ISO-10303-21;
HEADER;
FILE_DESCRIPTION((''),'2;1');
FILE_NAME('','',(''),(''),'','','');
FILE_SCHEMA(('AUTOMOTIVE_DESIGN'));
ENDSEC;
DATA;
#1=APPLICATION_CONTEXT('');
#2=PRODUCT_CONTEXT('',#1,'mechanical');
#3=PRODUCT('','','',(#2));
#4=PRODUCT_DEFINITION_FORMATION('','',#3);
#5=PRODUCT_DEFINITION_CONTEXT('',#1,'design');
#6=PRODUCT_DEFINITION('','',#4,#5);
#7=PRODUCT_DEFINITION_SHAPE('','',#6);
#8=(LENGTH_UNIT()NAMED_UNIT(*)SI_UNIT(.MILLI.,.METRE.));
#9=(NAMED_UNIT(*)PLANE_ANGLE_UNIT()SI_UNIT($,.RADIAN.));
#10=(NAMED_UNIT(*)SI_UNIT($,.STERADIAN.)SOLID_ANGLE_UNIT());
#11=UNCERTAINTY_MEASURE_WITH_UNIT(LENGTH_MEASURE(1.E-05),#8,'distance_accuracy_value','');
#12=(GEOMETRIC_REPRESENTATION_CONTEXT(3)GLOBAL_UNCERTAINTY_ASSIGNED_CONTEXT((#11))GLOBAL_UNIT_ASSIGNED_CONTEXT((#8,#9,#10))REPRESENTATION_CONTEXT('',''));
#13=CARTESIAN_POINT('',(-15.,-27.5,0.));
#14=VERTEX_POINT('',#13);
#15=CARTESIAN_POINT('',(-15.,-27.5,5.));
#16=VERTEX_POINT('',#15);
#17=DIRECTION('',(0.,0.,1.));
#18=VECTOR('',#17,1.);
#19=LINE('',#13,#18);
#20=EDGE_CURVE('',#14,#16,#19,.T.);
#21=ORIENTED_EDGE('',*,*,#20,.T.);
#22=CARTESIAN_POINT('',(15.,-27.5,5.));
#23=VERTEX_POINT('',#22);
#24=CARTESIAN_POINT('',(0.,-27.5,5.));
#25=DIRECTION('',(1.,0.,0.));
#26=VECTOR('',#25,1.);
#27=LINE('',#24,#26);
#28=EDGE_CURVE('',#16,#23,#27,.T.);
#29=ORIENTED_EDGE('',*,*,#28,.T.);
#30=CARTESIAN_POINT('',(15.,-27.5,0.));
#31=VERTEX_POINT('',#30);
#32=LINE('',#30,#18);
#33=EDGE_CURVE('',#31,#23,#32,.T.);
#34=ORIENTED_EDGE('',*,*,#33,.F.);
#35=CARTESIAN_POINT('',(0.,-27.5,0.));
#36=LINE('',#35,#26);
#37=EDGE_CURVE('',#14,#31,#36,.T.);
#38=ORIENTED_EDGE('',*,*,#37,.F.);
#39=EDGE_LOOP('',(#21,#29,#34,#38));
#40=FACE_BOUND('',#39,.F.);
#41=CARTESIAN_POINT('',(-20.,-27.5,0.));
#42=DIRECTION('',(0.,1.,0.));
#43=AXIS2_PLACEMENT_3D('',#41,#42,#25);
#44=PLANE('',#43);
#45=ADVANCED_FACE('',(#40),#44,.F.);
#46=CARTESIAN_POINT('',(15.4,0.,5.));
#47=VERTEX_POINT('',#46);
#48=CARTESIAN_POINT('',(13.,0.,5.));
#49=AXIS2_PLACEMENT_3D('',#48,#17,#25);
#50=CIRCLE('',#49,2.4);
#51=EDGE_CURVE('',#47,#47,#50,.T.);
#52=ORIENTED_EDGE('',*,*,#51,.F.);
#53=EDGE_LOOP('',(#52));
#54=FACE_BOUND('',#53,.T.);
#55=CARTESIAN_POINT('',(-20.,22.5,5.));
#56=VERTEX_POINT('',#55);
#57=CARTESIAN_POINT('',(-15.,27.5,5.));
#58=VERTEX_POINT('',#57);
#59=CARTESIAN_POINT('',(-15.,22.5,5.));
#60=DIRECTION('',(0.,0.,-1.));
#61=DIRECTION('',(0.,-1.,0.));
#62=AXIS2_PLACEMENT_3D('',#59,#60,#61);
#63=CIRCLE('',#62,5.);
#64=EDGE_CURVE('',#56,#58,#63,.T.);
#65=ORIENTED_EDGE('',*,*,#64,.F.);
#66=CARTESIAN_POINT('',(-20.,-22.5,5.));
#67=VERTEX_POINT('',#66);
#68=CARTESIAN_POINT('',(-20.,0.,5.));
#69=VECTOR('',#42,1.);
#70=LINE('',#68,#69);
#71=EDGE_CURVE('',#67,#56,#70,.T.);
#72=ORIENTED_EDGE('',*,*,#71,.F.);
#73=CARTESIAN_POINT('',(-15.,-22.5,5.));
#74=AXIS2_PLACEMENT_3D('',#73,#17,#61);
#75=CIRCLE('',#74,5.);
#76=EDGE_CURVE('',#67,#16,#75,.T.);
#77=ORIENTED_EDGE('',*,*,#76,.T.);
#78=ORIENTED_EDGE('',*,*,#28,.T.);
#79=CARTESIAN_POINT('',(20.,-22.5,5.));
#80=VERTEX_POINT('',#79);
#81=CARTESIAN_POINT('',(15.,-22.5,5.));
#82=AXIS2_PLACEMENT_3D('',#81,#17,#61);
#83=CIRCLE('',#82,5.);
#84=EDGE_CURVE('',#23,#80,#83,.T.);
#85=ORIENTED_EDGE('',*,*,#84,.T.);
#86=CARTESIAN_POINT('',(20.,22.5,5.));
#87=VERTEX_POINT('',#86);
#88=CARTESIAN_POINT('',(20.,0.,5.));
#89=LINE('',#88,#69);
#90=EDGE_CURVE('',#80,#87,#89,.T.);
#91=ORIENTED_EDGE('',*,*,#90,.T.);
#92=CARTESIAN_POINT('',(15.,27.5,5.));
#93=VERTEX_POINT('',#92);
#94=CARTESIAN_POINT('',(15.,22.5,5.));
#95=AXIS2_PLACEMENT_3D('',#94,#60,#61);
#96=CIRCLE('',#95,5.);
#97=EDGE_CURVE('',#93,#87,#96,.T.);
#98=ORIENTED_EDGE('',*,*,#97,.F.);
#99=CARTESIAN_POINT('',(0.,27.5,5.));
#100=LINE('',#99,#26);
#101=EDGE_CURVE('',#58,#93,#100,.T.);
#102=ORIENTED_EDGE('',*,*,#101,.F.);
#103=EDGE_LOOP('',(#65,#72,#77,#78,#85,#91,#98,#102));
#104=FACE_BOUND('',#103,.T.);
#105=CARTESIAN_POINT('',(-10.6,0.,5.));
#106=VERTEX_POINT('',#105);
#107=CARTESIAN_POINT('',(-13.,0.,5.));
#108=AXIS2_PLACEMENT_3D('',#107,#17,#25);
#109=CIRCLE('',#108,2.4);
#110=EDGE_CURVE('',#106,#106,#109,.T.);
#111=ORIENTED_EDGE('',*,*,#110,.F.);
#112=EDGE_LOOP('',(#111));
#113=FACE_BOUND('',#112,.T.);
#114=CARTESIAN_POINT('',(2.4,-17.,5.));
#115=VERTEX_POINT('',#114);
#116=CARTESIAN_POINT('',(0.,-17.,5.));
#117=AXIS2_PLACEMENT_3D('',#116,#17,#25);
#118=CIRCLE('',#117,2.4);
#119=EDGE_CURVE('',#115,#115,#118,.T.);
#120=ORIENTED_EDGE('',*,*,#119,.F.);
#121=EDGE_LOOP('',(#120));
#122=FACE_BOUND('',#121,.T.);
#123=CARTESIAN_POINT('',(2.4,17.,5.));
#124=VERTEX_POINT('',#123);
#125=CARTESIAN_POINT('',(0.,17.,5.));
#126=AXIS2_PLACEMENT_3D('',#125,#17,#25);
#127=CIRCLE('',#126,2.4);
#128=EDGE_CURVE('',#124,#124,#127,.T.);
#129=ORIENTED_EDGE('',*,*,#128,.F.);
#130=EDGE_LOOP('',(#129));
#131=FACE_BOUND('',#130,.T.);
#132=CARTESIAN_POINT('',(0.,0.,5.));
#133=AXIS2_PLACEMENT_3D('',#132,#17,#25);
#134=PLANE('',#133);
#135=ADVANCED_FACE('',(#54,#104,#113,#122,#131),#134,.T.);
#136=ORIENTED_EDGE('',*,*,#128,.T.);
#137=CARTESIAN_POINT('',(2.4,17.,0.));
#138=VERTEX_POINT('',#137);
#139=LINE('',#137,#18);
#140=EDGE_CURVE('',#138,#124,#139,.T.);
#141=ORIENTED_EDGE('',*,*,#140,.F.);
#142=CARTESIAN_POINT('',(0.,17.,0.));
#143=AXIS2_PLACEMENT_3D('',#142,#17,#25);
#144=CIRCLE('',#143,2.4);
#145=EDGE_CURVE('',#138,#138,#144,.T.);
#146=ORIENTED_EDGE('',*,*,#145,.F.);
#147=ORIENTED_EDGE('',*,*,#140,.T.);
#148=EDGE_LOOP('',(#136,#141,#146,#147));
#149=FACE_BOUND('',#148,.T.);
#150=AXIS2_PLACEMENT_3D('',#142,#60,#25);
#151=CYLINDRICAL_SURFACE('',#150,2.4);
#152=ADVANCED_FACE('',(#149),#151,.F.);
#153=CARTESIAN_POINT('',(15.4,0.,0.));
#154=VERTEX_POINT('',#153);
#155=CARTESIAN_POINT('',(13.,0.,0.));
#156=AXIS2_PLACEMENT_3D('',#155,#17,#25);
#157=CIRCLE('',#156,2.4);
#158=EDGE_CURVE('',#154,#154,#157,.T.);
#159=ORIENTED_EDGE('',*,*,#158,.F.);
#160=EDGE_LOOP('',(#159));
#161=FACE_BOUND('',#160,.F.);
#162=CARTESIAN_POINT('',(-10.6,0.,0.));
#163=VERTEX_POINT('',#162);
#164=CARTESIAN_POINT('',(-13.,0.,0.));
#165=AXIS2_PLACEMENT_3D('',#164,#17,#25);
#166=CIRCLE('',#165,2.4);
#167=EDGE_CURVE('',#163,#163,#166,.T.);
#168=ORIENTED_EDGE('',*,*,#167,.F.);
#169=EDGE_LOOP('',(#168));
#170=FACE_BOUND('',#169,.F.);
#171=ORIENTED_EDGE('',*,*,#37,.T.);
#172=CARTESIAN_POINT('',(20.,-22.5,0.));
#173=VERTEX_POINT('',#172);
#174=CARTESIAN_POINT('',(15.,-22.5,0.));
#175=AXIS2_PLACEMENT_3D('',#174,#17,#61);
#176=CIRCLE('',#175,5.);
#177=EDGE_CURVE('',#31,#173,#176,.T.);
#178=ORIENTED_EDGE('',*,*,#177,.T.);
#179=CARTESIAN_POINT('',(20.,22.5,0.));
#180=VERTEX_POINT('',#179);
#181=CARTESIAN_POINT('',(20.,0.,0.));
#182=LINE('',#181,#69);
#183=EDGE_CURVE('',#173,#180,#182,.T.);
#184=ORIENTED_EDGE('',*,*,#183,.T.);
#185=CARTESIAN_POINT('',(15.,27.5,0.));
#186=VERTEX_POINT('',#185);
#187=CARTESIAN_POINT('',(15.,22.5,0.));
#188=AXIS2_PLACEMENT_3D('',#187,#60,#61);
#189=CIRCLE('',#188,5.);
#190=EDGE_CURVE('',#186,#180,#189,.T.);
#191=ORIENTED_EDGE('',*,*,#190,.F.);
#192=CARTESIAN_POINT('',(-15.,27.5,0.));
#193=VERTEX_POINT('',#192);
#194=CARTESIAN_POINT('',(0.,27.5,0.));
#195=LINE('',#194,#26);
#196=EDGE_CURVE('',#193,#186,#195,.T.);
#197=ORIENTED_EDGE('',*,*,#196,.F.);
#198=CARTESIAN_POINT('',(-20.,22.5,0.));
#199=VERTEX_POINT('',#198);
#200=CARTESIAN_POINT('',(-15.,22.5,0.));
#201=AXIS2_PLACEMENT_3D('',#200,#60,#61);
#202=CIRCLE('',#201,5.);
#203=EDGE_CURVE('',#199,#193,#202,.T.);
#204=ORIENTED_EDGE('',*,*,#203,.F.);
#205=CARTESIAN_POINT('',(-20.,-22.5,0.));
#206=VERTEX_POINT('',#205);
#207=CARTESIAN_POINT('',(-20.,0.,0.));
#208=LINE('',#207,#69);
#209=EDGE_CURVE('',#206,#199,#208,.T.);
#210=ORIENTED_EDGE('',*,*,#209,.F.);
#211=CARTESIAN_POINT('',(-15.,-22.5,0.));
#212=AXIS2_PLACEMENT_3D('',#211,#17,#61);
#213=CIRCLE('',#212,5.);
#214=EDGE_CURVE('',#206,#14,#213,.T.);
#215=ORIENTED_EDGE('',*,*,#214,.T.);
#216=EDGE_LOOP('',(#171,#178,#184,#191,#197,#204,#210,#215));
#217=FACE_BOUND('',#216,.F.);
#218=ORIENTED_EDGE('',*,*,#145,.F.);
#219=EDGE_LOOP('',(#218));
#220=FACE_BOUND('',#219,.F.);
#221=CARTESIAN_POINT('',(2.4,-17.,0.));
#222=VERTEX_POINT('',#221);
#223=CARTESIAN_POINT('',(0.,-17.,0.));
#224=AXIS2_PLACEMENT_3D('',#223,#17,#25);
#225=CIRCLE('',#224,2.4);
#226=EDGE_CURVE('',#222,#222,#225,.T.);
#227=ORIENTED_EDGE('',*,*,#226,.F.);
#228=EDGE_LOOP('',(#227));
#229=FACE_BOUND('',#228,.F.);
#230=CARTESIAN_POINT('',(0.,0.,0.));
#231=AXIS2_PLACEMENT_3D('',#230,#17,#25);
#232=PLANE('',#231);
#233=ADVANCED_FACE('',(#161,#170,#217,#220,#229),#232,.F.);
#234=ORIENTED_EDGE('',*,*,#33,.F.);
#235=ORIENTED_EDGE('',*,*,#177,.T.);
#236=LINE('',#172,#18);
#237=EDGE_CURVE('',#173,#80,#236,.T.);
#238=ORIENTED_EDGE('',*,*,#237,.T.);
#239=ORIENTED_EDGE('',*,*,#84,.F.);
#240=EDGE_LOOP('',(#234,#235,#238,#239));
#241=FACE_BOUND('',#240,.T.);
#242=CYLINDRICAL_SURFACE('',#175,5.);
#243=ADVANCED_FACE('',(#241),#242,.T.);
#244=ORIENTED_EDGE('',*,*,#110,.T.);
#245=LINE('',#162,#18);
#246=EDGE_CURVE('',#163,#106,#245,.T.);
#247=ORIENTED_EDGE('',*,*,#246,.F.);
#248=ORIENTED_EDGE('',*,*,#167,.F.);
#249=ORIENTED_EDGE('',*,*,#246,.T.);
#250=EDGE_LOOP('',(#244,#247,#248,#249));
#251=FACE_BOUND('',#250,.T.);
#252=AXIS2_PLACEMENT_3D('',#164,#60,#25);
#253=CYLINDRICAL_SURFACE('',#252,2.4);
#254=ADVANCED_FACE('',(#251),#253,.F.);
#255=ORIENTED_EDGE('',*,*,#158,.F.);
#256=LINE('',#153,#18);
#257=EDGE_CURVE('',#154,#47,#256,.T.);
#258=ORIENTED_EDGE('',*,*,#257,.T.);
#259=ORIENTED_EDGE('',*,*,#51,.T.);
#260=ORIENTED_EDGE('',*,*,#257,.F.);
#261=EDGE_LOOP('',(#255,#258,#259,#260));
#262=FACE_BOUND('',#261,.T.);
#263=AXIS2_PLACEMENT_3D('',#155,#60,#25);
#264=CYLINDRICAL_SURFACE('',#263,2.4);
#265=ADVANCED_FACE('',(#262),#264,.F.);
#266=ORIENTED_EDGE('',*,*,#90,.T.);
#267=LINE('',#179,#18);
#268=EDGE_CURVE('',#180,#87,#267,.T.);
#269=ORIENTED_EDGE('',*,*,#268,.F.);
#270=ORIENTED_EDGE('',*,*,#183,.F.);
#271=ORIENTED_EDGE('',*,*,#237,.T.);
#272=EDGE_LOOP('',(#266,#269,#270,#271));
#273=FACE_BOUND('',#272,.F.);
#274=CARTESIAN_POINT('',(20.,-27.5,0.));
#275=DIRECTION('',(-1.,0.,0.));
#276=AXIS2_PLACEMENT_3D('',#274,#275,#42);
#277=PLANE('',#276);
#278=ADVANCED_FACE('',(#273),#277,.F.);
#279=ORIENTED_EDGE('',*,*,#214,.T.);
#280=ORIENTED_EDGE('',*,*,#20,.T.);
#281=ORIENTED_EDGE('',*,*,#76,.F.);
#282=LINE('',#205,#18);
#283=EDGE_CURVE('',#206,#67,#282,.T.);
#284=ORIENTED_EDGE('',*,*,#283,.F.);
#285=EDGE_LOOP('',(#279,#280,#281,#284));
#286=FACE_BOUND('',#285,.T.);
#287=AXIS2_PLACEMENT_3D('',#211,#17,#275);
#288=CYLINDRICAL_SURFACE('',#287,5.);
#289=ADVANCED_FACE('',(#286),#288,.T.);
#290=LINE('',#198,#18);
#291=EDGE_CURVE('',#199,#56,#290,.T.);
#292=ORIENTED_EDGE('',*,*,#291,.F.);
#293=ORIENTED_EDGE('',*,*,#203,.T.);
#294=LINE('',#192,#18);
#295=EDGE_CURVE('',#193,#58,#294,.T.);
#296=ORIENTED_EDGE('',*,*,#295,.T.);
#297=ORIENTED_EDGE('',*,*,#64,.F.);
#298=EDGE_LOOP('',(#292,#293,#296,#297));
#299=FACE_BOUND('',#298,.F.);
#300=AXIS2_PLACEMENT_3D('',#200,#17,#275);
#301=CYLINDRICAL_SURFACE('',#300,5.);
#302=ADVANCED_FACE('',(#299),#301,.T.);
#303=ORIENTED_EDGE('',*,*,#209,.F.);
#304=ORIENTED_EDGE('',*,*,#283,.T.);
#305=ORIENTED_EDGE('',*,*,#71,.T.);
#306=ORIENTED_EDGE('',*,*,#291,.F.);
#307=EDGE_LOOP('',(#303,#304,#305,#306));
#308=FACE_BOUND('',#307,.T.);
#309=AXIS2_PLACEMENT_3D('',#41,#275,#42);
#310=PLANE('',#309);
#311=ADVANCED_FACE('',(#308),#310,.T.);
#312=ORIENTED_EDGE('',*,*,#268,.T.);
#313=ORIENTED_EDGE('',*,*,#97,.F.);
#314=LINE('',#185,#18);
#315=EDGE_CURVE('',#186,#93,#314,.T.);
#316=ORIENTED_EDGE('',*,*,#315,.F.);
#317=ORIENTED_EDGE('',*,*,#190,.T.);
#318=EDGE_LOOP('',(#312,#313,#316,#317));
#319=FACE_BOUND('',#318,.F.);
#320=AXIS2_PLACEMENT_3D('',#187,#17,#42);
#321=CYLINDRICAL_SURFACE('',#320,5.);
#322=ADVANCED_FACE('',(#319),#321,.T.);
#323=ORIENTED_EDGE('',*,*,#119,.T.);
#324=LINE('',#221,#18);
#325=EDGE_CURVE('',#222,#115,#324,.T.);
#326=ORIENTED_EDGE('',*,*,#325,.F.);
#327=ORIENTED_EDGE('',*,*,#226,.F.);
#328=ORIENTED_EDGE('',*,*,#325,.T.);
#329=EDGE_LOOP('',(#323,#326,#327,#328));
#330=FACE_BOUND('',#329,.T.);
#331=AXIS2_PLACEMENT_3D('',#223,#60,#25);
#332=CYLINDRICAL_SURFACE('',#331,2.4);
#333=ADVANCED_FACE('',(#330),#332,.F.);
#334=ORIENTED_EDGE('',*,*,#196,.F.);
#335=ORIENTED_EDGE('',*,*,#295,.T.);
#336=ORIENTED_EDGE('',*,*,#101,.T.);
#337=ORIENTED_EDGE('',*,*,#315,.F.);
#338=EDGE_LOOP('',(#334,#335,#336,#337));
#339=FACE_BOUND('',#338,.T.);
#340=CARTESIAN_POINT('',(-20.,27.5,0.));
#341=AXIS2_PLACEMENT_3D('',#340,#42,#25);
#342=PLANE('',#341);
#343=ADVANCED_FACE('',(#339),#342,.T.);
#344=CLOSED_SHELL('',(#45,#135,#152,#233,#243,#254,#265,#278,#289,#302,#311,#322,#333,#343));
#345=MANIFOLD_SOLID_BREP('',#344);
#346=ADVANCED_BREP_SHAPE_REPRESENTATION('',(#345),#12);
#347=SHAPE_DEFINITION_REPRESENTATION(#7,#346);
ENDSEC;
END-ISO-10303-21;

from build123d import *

# Parameters (mm, degrees)
SKETCH1_W           = 40
SKETCH1_H           = 55
SKETCH1_R           = 2.4
BOSS_EXTRUDE1_DEPTH = 5
FILLET1_R           = 5


with BuildPart() as part:
    # Sketch1 → Boss-Extrude1 (new body)
    with BuildSketch(Plane.XY):
        Rectangle(SKETCH1_W, SKETCH1_H)
        with Locations((0, 17)):
            Circle(SKETCH1_R, mode=Mode.SUBTRACT)
        with Locations((-13, 0)):
            Circle(SKETCH1_R, mode=Mode.SUBTRACT)
        with Locations((0, -17)):
            Circle(SKETCH1_R, mode=Mode.SUBTRACT)
        with Locations((13, 0)):
            Circle(SKETCH1_R, mode=Mode.SUBTRACT)
    extrude(amount=BOSS_EXTRUDE1_DEPTH)

    # Fillet1
    fillet1_edges = [part.edges().sort_by_distance(p)[0] for p in [
        (20, -27.5, 2.5),
        (-20, -27.5, 2.5),
        (-20, 27.5, 2.5),
        (20, 27.5, 2.5),
    ]]
    fillet(fillet1_edges, radius=FILLET1_R)


solid = part.part
